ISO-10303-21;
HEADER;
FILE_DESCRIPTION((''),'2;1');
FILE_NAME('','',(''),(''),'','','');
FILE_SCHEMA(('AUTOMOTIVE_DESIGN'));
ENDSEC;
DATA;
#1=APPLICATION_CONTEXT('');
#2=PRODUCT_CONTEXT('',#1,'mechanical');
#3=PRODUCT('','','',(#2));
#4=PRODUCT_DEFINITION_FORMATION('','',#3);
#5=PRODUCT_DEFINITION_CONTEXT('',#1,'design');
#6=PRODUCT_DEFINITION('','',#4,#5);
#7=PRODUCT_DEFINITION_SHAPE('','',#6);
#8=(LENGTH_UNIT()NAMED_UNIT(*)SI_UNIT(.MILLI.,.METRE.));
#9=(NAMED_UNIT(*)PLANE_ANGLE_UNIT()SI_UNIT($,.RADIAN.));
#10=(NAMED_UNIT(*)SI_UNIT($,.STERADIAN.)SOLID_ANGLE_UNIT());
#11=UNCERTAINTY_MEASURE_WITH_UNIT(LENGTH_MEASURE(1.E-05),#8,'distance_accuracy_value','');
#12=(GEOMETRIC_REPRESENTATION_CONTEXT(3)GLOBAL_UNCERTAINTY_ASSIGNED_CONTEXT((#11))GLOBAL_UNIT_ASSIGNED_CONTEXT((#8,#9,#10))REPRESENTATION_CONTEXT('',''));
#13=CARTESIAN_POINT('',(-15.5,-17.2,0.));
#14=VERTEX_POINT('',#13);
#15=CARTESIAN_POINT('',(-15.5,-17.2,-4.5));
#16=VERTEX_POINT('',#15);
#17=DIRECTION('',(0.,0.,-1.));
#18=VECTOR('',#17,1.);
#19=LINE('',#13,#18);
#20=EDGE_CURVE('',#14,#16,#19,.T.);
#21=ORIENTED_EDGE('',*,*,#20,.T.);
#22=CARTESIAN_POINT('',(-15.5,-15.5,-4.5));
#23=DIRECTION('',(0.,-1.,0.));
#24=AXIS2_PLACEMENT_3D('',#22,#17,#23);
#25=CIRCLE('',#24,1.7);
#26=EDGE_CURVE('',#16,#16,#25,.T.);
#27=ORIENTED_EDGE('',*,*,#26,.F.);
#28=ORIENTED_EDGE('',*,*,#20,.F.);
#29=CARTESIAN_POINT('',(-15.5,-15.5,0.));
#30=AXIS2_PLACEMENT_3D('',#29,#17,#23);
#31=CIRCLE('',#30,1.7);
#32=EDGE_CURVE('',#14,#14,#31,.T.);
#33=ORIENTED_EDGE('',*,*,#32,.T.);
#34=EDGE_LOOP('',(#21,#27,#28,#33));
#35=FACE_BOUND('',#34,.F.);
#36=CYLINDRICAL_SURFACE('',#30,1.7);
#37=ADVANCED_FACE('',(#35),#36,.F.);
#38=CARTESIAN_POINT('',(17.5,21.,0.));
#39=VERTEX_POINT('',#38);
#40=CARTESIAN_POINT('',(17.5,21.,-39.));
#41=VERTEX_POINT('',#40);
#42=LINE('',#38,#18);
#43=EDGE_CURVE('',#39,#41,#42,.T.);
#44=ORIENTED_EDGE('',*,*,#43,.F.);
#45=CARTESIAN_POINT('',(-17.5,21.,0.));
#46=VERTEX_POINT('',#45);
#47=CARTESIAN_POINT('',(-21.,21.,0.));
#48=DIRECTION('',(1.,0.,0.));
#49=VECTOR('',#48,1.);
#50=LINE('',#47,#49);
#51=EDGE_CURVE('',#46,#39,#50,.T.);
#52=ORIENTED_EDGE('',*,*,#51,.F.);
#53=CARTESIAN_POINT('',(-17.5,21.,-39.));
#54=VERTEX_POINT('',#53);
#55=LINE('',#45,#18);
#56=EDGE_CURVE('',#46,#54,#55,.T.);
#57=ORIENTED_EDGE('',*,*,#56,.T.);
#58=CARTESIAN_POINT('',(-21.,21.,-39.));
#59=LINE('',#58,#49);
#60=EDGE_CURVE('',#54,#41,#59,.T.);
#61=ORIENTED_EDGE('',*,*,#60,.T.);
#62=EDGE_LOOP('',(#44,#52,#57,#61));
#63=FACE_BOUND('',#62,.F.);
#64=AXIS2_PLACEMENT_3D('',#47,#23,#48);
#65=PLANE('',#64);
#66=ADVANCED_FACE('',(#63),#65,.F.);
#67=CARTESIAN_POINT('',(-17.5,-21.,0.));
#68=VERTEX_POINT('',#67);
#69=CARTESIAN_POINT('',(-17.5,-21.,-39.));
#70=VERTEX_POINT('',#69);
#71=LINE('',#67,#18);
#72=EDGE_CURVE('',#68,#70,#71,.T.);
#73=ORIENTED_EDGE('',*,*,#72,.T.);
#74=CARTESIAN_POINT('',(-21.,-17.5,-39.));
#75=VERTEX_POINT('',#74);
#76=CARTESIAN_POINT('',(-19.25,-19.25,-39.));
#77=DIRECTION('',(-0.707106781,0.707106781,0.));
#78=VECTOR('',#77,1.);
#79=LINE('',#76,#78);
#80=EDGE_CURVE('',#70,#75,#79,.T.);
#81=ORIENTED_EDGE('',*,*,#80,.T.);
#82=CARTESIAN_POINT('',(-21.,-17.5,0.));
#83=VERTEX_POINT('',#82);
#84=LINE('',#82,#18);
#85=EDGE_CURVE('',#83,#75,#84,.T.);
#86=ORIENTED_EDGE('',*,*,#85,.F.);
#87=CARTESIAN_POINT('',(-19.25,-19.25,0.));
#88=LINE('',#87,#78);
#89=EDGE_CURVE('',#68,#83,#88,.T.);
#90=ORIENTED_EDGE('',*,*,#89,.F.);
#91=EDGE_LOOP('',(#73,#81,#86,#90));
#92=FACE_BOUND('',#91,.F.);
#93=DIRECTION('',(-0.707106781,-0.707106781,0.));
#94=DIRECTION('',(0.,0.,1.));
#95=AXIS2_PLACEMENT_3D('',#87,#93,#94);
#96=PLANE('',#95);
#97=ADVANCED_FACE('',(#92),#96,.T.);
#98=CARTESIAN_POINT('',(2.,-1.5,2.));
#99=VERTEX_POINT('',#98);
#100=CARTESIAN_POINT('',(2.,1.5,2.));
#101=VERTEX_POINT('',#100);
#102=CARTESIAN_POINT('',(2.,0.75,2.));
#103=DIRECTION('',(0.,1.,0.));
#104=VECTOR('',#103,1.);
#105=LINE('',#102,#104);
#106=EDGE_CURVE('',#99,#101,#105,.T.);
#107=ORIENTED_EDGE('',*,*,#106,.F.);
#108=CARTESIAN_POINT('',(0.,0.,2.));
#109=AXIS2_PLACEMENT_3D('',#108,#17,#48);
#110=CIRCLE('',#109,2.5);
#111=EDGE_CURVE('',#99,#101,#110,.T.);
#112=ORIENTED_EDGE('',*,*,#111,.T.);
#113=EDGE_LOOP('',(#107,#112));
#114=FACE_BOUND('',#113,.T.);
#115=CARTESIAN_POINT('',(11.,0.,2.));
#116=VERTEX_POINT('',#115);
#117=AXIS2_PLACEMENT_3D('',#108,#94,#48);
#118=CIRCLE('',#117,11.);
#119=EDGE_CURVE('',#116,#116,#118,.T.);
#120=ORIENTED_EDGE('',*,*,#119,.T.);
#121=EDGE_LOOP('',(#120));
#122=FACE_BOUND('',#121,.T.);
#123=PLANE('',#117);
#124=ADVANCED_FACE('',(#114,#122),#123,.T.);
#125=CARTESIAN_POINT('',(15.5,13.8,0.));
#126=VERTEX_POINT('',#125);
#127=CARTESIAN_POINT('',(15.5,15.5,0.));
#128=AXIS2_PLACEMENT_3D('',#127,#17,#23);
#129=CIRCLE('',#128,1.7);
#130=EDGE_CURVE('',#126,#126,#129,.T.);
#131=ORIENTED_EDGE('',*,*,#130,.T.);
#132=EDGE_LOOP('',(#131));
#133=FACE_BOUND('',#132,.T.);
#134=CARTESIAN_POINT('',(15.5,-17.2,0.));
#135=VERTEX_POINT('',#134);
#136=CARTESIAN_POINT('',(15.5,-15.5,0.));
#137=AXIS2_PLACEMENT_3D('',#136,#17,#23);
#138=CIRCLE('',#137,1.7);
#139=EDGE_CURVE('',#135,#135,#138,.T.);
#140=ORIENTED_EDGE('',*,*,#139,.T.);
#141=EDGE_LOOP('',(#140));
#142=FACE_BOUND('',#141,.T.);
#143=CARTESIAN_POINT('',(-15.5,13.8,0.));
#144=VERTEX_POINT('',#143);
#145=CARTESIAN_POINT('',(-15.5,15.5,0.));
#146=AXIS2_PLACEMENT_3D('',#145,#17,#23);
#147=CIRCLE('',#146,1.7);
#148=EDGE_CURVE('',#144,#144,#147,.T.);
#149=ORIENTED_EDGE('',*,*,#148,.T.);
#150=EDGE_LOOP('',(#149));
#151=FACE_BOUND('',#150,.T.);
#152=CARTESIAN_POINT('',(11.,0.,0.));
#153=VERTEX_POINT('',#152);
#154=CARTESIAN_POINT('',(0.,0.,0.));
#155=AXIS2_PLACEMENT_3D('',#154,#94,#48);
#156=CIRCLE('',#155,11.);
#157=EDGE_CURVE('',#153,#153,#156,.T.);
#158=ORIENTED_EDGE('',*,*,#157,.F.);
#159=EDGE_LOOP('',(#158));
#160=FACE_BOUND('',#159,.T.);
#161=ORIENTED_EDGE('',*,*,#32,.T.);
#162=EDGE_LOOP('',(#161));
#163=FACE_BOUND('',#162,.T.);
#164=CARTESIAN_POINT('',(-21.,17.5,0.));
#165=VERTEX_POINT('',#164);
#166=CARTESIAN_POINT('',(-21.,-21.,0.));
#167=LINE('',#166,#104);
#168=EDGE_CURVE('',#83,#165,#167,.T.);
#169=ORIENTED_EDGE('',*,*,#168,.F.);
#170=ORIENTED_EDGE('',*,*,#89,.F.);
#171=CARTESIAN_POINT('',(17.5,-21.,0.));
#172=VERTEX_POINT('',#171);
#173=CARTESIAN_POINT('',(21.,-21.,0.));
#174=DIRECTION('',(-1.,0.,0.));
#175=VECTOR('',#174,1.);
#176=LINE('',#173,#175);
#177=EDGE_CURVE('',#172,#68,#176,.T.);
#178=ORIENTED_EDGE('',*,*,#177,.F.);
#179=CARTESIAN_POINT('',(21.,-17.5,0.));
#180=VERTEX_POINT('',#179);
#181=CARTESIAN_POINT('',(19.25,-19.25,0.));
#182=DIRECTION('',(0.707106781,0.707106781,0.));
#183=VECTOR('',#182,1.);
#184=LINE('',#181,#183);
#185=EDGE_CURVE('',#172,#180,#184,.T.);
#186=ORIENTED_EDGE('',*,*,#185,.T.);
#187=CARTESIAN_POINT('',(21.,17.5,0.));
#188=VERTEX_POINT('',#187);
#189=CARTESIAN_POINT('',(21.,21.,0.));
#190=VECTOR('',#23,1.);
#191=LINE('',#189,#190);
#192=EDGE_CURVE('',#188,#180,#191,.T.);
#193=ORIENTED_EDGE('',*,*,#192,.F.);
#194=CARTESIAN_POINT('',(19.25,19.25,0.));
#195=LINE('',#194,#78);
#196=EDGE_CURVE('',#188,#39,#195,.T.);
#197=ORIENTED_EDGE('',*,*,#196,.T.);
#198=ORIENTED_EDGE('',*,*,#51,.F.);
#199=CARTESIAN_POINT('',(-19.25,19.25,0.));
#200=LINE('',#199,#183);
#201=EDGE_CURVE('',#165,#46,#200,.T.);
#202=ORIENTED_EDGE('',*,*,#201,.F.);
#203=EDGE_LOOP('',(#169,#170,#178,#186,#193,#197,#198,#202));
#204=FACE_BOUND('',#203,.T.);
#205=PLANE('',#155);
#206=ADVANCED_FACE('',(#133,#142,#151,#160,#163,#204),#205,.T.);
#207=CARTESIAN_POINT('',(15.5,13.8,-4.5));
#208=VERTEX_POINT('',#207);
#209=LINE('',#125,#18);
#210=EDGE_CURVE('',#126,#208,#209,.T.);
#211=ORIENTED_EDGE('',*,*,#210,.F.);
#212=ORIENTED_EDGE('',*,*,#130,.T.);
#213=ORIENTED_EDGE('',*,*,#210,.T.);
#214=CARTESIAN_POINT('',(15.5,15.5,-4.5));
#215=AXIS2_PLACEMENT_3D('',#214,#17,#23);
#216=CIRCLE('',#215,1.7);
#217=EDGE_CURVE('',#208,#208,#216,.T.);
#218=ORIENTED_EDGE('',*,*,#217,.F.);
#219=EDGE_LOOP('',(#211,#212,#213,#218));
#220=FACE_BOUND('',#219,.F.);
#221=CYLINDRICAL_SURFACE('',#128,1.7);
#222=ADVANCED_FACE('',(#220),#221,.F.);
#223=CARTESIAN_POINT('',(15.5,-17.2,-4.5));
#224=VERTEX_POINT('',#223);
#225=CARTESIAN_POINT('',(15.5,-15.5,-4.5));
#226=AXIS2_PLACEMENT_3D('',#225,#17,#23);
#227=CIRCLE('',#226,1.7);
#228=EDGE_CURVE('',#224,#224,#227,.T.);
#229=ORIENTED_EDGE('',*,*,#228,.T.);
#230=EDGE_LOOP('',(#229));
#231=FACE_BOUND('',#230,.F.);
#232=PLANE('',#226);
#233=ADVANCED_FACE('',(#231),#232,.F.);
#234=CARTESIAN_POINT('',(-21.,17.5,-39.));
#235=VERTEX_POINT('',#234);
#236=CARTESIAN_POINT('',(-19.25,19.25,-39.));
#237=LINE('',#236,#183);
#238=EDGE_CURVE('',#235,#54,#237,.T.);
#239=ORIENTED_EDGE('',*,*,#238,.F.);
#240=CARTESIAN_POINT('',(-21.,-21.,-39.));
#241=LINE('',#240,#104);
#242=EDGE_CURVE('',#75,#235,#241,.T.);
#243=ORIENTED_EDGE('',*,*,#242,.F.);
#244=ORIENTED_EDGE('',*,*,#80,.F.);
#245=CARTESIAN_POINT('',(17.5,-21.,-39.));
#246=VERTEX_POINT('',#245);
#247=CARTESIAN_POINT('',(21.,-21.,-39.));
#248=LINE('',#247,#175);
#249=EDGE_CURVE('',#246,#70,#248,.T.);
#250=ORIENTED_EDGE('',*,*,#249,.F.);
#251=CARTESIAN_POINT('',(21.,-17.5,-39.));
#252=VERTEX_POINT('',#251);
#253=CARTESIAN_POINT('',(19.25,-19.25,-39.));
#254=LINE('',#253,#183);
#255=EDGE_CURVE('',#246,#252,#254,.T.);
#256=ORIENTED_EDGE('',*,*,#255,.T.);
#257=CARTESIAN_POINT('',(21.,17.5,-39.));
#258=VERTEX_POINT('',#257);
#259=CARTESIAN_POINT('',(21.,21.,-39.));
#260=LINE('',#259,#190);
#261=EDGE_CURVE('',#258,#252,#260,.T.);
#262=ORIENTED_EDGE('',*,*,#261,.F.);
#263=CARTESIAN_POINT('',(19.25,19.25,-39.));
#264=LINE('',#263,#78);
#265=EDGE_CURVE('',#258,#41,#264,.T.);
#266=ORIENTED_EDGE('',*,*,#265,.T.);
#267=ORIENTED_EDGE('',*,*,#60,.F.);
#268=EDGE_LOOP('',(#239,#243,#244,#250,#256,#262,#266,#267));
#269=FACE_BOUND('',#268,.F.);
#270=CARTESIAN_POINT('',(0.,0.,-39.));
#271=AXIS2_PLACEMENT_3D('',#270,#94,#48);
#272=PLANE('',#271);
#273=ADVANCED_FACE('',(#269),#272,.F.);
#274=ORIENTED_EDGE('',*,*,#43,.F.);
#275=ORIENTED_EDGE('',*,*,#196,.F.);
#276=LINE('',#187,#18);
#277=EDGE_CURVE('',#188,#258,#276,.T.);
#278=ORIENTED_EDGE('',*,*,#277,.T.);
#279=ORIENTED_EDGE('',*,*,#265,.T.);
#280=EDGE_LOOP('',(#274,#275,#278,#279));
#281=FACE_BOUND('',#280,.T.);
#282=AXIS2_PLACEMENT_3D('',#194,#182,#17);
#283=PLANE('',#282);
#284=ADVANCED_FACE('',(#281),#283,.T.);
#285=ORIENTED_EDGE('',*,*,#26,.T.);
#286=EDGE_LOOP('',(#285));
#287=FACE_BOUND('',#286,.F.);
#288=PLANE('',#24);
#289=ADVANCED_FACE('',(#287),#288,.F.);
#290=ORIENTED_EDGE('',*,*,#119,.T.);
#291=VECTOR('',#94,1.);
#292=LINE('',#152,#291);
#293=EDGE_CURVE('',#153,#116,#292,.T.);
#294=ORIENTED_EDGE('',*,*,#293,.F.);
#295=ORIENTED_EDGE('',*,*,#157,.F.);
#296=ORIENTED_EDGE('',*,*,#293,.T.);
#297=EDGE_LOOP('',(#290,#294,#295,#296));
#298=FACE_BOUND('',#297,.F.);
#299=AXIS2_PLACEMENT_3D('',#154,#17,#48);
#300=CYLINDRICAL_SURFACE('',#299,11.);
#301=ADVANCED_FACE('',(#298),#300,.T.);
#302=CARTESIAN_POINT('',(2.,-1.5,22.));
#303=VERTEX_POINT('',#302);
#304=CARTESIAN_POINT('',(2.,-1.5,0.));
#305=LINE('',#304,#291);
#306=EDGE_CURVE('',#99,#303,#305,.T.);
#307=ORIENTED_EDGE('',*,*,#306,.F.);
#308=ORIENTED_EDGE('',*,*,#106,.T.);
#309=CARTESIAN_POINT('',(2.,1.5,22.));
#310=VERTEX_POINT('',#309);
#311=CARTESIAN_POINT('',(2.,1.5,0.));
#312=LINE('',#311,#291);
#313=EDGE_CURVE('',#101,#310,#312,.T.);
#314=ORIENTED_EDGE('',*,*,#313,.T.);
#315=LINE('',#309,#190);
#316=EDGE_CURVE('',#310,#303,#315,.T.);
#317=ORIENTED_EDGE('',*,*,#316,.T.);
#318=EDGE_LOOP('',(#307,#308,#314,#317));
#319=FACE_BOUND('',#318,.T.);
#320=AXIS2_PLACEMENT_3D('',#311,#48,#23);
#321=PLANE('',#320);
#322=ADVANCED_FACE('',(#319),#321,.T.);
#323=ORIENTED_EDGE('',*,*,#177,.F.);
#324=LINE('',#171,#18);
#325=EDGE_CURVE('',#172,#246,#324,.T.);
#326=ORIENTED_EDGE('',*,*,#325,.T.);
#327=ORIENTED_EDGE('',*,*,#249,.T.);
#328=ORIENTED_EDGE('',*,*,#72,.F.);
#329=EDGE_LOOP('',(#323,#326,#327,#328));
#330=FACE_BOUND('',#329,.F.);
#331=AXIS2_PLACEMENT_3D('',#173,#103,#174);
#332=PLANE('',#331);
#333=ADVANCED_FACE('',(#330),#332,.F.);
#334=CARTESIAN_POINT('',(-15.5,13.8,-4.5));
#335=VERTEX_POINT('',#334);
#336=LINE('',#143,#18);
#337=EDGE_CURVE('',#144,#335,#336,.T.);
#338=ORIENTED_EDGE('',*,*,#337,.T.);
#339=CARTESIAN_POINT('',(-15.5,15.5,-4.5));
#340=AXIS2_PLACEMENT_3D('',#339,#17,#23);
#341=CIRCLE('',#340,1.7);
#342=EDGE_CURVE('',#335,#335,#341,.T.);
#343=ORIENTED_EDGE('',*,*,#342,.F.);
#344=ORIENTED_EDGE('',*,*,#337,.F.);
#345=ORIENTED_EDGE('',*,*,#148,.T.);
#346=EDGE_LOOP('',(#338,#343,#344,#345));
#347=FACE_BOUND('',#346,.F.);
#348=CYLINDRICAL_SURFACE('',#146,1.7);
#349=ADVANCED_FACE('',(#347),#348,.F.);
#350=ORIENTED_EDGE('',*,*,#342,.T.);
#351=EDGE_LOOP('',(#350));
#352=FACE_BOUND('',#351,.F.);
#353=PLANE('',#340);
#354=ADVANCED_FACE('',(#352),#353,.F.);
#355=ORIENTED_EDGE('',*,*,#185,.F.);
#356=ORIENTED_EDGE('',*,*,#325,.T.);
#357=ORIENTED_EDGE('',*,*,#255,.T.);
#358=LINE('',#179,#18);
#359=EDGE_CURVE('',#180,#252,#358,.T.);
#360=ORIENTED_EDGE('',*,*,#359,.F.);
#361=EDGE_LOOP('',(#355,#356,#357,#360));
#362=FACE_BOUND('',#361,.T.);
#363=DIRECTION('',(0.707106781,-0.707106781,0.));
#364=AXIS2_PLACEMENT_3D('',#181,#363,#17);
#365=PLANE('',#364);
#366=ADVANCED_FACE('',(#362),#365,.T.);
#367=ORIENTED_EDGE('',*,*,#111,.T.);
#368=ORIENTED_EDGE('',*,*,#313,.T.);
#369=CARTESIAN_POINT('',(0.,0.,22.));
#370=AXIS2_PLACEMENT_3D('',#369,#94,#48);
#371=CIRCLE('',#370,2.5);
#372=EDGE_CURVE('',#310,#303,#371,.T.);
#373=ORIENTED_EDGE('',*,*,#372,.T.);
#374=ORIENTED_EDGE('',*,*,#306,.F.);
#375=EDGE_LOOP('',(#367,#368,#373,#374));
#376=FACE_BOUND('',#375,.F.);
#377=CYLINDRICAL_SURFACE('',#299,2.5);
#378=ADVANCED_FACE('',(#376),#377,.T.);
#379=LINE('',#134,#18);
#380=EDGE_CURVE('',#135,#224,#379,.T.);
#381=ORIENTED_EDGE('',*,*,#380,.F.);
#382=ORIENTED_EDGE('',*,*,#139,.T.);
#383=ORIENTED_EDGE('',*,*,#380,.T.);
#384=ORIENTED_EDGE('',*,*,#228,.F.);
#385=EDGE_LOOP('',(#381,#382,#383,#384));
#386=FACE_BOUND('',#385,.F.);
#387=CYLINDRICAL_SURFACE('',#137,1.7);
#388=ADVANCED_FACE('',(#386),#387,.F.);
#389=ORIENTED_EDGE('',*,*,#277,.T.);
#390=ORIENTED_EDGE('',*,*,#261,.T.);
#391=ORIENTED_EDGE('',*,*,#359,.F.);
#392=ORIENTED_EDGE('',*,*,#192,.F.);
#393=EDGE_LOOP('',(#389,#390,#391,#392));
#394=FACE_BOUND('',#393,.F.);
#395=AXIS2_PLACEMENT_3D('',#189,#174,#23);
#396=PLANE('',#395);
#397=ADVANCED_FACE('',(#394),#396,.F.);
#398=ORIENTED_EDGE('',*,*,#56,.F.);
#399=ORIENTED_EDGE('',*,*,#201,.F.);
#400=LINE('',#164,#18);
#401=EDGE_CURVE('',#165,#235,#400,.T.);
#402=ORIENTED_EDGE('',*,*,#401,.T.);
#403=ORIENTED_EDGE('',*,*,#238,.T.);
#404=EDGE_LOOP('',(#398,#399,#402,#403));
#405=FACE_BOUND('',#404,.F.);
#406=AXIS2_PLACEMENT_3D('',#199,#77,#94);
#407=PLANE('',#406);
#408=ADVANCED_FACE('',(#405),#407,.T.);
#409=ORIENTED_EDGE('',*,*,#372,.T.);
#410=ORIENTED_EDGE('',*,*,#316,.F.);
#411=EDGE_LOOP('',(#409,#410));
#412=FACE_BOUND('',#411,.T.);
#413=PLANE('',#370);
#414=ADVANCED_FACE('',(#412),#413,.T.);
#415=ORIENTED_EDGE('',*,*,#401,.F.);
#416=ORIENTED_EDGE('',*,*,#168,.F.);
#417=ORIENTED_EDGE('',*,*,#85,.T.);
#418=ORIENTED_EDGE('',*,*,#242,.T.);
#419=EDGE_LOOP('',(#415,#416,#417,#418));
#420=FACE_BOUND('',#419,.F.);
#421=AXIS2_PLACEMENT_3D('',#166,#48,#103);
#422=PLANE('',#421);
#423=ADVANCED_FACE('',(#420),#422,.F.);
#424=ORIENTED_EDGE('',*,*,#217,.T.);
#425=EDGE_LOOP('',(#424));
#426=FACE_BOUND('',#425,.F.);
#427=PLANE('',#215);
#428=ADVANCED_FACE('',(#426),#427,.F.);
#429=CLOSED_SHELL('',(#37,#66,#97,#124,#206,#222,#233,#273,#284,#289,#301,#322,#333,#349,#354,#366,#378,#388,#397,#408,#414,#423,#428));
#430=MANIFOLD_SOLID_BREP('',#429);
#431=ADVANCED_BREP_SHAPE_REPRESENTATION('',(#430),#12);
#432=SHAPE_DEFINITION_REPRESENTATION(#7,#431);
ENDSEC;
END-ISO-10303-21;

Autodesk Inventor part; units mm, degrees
ref_plane "YZ Plane" through (0, 0, 0) normal (1, 0, 0) x (0, 1, 0)
ref_plane "XZ Plane" through (0, 0, 0) normal (0, 1, 0) x (-1, 0, 0)
ref_plane "XY Plane" through (0, 0, 0) normal (0, 0, 1) x (1, 0, 0)
sketch "Sketch1" plane through (0, 0, 0) normal (0, 0, 1) x (1, 0, 0)
  line L0 (21, -21) -> (-21, -21)
  line L1 (-21, -21) -> (-21, 21)
  line L2 (-21, 21) -> (21, 21)
  line L3 (21, 21) -> (21, -21)
  line L4 (21, -21) -> (-21, 21) construction
  line L5 (-21, -21) -> (21, 21) construction
  circle A0 centre (0, 0) radius 11
  circle A1 centre (0, 0) radius 2.5
  line L6 (2, 1.5) -> (2, -1.5)
  line L7 (0, 21) -> (0, -21) construction
  line L8 (-21, 0) -> (21, 0) construction
  point P0 (-15.5, 15.5)
  point P1 (15.5, 15.5)
  point P2 (15.5, -15.5)
  point P3 (-15.5, -15.5)
  dimension "d0" = 42
  dimension "d1" = 42
  dimension "d2" = 22
  dimension "d3" = 5
  dimension "d4" = 2
  dimension "d5" = 31
extrude "Extrusion1" add sketch "Sketch1" against normal blind 39 contours L0 L1 L2 L3 | A0 | A1 L6 | L6 A1
extrude "Extrusion2" add sketch "Sketch1" along normal blind 2 contours A0 | A1 L6 | L6 A1
extrude "Extrusion3" add sketch "Sketch1" along normal blind 22 contours L6 A1 picked at (0.2258, 0.7583)
hole "Hole1" at (-15.5, -15.5, 0) at (-15.5, 15.5, 0) at (15.5, 15.5, 0) at (15.5, -15.5, 0) direction (0, 0, -1) diameter 3.4 depth 4.5 clearance for "Countersunk Head GOST 12876-67" size "M3" standard "GOST"
chamfer "Chamfer1" distance 3.5 angle 45 4 edges at (-21, -21, -19.5) (-21, 21, -19.5) (21, -21, -19.5) (21, 21, -19.5)
properties part number "motor_x"
